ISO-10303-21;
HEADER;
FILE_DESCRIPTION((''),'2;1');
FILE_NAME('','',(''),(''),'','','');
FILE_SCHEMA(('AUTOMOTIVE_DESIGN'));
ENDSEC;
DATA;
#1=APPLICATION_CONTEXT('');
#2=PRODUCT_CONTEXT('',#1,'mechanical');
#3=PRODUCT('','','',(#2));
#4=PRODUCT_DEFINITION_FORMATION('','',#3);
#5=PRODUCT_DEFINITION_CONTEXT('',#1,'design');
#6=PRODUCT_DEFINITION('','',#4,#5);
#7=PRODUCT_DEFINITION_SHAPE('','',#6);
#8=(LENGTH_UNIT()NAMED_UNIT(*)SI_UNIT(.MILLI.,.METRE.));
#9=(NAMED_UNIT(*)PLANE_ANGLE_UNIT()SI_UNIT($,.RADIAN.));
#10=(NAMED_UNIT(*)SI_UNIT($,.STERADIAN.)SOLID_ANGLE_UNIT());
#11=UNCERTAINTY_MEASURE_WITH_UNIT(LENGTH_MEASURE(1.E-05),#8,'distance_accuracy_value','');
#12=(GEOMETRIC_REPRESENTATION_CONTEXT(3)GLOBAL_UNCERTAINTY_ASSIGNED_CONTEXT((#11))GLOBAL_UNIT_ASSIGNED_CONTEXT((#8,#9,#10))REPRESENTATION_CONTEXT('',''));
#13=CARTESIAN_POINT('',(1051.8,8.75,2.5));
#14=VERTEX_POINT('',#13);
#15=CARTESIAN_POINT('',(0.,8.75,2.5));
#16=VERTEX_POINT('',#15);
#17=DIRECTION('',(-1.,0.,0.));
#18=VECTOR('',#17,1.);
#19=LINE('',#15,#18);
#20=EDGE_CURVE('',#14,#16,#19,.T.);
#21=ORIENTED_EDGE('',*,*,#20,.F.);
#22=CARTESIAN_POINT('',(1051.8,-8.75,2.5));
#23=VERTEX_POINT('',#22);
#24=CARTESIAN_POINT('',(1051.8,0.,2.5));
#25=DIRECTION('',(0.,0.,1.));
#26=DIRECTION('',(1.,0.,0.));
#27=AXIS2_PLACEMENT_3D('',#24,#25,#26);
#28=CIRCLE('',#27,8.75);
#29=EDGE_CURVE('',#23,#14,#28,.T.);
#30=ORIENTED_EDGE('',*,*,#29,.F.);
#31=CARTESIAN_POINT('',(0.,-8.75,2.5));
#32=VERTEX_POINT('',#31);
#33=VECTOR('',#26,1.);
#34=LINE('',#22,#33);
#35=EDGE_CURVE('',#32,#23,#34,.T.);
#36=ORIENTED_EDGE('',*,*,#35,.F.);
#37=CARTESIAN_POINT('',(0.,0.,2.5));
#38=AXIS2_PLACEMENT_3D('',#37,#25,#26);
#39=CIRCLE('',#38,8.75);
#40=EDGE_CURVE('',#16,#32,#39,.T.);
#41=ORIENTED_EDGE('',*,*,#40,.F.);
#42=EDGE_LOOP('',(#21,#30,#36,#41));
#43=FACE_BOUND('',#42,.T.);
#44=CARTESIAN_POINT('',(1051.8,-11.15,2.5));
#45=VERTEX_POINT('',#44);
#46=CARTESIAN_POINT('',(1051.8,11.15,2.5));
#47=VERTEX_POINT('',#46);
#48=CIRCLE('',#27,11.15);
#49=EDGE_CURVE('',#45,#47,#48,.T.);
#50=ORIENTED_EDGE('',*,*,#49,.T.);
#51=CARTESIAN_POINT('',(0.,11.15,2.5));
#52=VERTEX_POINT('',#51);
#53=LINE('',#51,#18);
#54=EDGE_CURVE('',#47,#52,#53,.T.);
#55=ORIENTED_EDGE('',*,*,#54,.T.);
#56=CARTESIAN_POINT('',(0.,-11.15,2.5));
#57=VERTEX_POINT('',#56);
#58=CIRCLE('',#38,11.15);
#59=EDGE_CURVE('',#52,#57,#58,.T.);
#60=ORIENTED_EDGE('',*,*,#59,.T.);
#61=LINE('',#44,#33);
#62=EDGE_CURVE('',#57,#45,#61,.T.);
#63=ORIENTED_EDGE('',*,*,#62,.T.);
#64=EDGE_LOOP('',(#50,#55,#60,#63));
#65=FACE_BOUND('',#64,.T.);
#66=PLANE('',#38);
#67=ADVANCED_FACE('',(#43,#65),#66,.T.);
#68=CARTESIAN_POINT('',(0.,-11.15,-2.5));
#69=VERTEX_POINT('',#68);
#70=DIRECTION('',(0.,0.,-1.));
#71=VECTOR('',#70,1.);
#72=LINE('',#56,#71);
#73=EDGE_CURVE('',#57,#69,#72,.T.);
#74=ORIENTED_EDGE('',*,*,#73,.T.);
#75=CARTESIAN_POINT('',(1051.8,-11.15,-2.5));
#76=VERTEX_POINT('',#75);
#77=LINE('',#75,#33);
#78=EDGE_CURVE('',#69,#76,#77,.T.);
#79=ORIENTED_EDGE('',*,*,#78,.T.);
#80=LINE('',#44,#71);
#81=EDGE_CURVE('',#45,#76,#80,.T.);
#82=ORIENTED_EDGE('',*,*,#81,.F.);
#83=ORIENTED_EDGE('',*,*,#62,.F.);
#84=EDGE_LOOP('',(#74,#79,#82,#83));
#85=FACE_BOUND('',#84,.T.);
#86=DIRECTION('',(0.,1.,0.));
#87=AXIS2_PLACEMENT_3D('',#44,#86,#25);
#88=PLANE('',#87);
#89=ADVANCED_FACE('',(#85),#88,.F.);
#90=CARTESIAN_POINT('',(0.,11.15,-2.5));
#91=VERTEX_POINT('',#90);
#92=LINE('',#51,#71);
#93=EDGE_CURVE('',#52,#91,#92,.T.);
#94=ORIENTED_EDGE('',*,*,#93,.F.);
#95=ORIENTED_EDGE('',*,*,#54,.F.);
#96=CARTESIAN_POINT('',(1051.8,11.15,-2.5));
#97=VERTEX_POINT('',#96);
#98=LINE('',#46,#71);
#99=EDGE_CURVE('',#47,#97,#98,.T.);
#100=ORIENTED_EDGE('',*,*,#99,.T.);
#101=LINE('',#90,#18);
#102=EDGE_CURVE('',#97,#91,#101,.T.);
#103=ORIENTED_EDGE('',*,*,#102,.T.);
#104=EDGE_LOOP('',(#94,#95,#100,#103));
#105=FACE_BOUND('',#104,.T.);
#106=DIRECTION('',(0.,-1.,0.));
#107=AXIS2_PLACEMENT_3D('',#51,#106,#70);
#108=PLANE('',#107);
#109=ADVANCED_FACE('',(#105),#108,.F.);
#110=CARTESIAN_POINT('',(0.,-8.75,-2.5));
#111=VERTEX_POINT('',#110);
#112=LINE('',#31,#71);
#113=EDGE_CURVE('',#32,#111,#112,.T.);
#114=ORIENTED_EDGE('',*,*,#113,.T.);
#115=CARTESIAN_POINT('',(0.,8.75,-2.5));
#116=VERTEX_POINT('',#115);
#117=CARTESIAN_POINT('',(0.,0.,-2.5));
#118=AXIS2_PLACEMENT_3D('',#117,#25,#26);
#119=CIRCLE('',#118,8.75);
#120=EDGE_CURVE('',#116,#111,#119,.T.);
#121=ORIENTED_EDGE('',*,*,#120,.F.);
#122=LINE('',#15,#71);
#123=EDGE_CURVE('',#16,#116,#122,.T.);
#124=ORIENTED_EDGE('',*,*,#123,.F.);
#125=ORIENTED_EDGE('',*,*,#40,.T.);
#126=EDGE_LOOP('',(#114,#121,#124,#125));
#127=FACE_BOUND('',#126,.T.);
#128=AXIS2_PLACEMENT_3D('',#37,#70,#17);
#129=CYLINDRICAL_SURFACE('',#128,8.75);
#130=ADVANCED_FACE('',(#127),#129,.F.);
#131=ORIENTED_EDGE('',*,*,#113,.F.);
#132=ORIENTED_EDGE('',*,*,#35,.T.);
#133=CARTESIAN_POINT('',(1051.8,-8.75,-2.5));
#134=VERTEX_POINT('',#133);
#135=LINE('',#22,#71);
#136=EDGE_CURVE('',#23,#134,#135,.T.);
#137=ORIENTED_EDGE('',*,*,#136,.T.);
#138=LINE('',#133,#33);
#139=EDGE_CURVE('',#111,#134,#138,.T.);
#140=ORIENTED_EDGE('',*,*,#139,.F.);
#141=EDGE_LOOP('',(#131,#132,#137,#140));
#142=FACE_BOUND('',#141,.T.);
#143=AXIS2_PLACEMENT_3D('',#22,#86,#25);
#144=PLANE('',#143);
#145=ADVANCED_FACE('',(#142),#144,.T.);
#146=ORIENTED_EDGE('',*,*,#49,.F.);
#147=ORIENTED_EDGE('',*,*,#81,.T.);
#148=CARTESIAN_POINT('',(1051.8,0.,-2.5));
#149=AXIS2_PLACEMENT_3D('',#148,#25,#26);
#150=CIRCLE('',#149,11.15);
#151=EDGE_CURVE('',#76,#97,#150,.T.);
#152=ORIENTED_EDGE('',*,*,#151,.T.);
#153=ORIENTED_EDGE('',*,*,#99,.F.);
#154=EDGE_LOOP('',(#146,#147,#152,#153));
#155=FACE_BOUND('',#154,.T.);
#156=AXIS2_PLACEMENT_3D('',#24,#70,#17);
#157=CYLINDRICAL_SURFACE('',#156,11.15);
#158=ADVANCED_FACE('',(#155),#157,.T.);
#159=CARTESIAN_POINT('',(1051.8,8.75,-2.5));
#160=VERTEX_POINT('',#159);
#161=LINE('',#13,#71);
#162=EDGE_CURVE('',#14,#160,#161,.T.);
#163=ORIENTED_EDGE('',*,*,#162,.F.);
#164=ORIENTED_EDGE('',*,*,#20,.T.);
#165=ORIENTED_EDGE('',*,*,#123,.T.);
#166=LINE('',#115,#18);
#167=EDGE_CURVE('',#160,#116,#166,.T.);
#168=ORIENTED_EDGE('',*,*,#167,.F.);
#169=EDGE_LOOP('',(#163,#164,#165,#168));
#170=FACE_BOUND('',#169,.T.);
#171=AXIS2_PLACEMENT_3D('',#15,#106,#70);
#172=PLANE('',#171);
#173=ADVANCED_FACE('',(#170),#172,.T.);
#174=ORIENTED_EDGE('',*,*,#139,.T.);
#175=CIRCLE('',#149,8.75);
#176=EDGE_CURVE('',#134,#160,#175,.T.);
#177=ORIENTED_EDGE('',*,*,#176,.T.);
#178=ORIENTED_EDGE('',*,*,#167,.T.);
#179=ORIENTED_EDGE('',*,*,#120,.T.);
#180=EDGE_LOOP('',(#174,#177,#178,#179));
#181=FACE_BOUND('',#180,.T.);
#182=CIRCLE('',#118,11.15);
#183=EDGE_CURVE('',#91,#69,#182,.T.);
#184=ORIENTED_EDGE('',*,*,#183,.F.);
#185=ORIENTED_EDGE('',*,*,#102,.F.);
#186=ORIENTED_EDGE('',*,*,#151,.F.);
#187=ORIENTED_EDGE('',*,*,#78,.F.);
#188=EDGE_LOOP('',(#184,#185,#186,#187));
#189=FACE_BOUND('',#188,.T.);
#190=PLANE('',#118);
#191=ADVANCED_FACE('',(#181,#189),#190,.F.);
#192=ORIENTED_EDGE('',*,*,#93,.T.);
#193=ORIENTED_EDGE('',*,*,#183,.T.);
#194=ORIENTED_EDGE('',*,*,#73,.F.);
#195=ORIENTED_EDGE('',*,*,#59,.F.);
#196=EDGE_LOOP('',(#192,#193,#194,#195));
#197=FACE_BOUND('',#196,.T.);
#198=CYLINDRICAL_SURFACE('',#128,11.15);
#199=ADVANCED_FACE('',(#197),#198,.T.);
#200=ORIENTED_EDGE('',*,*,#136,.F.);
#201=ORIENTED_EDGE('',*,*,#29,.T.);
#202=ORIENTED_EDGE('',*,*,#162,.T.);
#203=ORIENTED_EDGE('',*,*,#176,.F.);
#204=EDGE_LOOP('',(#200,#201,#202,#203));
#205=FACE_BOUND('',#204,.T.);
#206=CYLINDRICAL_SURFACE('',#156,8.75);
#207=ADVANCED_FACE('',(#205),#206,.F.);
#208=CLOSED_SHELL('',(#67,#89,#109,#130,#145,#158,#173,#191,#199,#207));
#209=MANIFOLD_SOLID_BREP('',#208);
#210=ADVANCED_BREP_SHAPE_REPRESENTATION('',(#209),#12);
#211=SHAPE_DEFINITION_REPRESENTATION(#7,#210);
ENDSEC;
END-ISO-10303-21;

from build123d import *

# Parameters (mm, degrees)
EXTRUDE_THIN1_DEPTH = 2.5


with BuildPart() as part:
    # Sketch1 → Extrude-Thin1 (new body, symmetric)
    with BuildSketch(Plane.XY):
        with BuildLine():
            Line((1051.8, -11.15), (0, -11.15))
            ThreePointArc((0, -11.15), (-11.15, 0), (0, 11.15))
            Line((0, 11.15), (1051.8, 11.15))
            ThreePointArc((1051.8, 11.15), (1062.95, 0), (1051.8, -11.15))
        make_face()
        with BuildLine():
            Line((1051.8, -8.75), (0, -8.75))
            ThreePointArc((0, -8.75), (-8.75, 0), (0, 8.75))
            Line((0, 8.75), (1051.8, 8.75))
            ThreePointArc((1051.8, 8.75), (1060.55, 0), (1051.8, -8.75))
        make_face(mode=Mode.SUBTRACT)
    extrude(amount=EXTRUDE_THIN1_DEPTH, both=True)


solid = part.part
